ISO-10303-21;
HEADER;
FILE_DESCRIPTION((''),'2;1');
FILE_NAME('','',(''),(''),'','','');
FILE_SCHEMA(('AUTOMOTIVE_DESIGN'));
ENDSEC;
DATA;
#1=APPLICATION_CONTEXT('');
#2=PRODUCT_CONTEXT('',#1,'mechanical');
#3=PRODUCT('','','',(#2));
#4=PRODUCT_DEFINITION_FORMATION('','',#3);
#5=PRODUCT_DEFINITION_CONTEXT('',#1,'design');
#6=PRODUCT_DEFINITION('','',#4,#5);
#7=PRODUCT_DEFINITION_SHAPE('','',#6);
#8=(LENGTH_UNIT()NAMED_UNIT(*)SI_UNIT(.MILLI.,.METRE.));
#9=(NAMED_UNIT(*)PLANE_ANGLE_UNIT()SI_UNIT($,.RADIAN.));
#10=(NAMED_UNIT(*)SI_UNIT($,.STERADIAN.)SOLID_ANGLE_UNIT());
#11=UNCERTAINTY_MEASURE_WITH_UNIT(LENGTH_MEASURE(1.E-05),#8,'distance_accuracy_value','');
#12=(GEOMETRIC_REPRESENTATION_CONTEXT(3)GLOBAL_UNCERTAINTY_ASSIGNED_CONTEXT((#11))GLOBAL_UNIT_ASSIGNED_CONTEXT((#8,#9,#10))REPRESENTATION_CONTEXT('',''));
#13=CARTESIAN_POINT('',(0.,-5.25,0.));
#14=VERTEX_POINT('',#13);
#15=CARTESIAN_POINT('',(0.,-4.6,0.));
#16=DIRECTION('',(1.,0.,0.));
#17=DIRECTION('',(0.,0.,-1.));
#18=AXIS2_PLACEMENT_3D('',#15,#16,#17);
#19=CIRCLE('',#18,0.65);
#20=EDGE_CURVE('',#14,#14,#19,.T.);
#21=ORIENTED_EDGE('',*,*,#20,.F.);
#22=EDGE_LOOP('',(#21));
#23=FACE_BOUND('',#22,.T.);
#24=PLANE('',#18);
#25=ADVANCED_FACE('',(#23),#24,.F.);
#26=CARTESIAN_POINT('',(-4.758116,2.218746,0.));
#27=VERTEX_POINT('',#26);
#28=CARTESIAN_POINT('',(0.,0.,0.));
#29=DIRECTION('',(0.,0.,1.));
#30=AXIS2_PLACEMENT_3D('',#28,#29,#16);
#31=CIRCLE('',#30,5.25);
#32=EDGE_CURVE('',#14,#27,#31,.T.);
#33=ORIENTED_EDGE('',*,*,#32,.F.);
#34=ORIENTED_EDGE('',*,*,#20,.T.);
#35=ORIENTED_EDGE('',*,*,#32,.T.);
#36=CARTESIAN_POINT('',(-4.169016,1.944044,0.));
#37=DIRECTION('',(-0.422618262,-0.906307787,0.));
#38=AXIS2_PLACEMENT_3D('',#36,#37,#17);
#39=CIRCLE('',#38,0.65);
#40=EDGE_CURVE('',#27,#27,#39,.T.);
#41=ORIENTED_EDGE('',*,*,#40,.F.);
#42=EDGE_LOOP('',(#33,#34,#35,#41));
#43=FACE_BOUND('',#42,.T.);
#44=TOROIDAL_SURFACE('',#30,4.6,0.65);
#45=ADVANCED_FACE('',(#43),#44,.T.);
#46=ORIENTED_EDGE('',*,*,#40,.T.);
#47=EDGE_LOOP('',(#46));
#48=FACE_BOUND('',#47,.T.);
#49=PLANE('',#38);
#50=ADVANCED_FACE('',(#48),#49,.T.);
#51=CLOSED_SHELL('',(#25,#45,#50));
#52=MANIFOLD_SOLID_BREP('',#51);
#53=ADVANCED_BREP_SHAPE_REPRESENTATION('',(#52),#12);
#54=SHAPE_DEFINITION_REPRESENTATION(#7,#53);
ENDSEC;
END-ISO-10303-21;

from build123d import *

# Parameters (mm, degrees)
SKETCH2_R = 0.65


with BuildPart() as part:
    # Sweep1: sweep along a path in Sketch1
    with BuildLine(Plane.XY) as sweep1_path:
        ThreePointArc((0, -4.6), (3.879600651, 2.471578198), (-4.16901582, 1.944044004))
    # Sketch2 → Sweep1 (sweep)
    with BuildSketch(Plane(origin=(0, 0, 0), x_dir=(0, 0, -1), z_dir=(1, 0, 0))):
        with Locations((0, -4.6)):
            Circle(SKETCH2_R)
    sweep(path=sweep1_path.line)


solid = part.part
